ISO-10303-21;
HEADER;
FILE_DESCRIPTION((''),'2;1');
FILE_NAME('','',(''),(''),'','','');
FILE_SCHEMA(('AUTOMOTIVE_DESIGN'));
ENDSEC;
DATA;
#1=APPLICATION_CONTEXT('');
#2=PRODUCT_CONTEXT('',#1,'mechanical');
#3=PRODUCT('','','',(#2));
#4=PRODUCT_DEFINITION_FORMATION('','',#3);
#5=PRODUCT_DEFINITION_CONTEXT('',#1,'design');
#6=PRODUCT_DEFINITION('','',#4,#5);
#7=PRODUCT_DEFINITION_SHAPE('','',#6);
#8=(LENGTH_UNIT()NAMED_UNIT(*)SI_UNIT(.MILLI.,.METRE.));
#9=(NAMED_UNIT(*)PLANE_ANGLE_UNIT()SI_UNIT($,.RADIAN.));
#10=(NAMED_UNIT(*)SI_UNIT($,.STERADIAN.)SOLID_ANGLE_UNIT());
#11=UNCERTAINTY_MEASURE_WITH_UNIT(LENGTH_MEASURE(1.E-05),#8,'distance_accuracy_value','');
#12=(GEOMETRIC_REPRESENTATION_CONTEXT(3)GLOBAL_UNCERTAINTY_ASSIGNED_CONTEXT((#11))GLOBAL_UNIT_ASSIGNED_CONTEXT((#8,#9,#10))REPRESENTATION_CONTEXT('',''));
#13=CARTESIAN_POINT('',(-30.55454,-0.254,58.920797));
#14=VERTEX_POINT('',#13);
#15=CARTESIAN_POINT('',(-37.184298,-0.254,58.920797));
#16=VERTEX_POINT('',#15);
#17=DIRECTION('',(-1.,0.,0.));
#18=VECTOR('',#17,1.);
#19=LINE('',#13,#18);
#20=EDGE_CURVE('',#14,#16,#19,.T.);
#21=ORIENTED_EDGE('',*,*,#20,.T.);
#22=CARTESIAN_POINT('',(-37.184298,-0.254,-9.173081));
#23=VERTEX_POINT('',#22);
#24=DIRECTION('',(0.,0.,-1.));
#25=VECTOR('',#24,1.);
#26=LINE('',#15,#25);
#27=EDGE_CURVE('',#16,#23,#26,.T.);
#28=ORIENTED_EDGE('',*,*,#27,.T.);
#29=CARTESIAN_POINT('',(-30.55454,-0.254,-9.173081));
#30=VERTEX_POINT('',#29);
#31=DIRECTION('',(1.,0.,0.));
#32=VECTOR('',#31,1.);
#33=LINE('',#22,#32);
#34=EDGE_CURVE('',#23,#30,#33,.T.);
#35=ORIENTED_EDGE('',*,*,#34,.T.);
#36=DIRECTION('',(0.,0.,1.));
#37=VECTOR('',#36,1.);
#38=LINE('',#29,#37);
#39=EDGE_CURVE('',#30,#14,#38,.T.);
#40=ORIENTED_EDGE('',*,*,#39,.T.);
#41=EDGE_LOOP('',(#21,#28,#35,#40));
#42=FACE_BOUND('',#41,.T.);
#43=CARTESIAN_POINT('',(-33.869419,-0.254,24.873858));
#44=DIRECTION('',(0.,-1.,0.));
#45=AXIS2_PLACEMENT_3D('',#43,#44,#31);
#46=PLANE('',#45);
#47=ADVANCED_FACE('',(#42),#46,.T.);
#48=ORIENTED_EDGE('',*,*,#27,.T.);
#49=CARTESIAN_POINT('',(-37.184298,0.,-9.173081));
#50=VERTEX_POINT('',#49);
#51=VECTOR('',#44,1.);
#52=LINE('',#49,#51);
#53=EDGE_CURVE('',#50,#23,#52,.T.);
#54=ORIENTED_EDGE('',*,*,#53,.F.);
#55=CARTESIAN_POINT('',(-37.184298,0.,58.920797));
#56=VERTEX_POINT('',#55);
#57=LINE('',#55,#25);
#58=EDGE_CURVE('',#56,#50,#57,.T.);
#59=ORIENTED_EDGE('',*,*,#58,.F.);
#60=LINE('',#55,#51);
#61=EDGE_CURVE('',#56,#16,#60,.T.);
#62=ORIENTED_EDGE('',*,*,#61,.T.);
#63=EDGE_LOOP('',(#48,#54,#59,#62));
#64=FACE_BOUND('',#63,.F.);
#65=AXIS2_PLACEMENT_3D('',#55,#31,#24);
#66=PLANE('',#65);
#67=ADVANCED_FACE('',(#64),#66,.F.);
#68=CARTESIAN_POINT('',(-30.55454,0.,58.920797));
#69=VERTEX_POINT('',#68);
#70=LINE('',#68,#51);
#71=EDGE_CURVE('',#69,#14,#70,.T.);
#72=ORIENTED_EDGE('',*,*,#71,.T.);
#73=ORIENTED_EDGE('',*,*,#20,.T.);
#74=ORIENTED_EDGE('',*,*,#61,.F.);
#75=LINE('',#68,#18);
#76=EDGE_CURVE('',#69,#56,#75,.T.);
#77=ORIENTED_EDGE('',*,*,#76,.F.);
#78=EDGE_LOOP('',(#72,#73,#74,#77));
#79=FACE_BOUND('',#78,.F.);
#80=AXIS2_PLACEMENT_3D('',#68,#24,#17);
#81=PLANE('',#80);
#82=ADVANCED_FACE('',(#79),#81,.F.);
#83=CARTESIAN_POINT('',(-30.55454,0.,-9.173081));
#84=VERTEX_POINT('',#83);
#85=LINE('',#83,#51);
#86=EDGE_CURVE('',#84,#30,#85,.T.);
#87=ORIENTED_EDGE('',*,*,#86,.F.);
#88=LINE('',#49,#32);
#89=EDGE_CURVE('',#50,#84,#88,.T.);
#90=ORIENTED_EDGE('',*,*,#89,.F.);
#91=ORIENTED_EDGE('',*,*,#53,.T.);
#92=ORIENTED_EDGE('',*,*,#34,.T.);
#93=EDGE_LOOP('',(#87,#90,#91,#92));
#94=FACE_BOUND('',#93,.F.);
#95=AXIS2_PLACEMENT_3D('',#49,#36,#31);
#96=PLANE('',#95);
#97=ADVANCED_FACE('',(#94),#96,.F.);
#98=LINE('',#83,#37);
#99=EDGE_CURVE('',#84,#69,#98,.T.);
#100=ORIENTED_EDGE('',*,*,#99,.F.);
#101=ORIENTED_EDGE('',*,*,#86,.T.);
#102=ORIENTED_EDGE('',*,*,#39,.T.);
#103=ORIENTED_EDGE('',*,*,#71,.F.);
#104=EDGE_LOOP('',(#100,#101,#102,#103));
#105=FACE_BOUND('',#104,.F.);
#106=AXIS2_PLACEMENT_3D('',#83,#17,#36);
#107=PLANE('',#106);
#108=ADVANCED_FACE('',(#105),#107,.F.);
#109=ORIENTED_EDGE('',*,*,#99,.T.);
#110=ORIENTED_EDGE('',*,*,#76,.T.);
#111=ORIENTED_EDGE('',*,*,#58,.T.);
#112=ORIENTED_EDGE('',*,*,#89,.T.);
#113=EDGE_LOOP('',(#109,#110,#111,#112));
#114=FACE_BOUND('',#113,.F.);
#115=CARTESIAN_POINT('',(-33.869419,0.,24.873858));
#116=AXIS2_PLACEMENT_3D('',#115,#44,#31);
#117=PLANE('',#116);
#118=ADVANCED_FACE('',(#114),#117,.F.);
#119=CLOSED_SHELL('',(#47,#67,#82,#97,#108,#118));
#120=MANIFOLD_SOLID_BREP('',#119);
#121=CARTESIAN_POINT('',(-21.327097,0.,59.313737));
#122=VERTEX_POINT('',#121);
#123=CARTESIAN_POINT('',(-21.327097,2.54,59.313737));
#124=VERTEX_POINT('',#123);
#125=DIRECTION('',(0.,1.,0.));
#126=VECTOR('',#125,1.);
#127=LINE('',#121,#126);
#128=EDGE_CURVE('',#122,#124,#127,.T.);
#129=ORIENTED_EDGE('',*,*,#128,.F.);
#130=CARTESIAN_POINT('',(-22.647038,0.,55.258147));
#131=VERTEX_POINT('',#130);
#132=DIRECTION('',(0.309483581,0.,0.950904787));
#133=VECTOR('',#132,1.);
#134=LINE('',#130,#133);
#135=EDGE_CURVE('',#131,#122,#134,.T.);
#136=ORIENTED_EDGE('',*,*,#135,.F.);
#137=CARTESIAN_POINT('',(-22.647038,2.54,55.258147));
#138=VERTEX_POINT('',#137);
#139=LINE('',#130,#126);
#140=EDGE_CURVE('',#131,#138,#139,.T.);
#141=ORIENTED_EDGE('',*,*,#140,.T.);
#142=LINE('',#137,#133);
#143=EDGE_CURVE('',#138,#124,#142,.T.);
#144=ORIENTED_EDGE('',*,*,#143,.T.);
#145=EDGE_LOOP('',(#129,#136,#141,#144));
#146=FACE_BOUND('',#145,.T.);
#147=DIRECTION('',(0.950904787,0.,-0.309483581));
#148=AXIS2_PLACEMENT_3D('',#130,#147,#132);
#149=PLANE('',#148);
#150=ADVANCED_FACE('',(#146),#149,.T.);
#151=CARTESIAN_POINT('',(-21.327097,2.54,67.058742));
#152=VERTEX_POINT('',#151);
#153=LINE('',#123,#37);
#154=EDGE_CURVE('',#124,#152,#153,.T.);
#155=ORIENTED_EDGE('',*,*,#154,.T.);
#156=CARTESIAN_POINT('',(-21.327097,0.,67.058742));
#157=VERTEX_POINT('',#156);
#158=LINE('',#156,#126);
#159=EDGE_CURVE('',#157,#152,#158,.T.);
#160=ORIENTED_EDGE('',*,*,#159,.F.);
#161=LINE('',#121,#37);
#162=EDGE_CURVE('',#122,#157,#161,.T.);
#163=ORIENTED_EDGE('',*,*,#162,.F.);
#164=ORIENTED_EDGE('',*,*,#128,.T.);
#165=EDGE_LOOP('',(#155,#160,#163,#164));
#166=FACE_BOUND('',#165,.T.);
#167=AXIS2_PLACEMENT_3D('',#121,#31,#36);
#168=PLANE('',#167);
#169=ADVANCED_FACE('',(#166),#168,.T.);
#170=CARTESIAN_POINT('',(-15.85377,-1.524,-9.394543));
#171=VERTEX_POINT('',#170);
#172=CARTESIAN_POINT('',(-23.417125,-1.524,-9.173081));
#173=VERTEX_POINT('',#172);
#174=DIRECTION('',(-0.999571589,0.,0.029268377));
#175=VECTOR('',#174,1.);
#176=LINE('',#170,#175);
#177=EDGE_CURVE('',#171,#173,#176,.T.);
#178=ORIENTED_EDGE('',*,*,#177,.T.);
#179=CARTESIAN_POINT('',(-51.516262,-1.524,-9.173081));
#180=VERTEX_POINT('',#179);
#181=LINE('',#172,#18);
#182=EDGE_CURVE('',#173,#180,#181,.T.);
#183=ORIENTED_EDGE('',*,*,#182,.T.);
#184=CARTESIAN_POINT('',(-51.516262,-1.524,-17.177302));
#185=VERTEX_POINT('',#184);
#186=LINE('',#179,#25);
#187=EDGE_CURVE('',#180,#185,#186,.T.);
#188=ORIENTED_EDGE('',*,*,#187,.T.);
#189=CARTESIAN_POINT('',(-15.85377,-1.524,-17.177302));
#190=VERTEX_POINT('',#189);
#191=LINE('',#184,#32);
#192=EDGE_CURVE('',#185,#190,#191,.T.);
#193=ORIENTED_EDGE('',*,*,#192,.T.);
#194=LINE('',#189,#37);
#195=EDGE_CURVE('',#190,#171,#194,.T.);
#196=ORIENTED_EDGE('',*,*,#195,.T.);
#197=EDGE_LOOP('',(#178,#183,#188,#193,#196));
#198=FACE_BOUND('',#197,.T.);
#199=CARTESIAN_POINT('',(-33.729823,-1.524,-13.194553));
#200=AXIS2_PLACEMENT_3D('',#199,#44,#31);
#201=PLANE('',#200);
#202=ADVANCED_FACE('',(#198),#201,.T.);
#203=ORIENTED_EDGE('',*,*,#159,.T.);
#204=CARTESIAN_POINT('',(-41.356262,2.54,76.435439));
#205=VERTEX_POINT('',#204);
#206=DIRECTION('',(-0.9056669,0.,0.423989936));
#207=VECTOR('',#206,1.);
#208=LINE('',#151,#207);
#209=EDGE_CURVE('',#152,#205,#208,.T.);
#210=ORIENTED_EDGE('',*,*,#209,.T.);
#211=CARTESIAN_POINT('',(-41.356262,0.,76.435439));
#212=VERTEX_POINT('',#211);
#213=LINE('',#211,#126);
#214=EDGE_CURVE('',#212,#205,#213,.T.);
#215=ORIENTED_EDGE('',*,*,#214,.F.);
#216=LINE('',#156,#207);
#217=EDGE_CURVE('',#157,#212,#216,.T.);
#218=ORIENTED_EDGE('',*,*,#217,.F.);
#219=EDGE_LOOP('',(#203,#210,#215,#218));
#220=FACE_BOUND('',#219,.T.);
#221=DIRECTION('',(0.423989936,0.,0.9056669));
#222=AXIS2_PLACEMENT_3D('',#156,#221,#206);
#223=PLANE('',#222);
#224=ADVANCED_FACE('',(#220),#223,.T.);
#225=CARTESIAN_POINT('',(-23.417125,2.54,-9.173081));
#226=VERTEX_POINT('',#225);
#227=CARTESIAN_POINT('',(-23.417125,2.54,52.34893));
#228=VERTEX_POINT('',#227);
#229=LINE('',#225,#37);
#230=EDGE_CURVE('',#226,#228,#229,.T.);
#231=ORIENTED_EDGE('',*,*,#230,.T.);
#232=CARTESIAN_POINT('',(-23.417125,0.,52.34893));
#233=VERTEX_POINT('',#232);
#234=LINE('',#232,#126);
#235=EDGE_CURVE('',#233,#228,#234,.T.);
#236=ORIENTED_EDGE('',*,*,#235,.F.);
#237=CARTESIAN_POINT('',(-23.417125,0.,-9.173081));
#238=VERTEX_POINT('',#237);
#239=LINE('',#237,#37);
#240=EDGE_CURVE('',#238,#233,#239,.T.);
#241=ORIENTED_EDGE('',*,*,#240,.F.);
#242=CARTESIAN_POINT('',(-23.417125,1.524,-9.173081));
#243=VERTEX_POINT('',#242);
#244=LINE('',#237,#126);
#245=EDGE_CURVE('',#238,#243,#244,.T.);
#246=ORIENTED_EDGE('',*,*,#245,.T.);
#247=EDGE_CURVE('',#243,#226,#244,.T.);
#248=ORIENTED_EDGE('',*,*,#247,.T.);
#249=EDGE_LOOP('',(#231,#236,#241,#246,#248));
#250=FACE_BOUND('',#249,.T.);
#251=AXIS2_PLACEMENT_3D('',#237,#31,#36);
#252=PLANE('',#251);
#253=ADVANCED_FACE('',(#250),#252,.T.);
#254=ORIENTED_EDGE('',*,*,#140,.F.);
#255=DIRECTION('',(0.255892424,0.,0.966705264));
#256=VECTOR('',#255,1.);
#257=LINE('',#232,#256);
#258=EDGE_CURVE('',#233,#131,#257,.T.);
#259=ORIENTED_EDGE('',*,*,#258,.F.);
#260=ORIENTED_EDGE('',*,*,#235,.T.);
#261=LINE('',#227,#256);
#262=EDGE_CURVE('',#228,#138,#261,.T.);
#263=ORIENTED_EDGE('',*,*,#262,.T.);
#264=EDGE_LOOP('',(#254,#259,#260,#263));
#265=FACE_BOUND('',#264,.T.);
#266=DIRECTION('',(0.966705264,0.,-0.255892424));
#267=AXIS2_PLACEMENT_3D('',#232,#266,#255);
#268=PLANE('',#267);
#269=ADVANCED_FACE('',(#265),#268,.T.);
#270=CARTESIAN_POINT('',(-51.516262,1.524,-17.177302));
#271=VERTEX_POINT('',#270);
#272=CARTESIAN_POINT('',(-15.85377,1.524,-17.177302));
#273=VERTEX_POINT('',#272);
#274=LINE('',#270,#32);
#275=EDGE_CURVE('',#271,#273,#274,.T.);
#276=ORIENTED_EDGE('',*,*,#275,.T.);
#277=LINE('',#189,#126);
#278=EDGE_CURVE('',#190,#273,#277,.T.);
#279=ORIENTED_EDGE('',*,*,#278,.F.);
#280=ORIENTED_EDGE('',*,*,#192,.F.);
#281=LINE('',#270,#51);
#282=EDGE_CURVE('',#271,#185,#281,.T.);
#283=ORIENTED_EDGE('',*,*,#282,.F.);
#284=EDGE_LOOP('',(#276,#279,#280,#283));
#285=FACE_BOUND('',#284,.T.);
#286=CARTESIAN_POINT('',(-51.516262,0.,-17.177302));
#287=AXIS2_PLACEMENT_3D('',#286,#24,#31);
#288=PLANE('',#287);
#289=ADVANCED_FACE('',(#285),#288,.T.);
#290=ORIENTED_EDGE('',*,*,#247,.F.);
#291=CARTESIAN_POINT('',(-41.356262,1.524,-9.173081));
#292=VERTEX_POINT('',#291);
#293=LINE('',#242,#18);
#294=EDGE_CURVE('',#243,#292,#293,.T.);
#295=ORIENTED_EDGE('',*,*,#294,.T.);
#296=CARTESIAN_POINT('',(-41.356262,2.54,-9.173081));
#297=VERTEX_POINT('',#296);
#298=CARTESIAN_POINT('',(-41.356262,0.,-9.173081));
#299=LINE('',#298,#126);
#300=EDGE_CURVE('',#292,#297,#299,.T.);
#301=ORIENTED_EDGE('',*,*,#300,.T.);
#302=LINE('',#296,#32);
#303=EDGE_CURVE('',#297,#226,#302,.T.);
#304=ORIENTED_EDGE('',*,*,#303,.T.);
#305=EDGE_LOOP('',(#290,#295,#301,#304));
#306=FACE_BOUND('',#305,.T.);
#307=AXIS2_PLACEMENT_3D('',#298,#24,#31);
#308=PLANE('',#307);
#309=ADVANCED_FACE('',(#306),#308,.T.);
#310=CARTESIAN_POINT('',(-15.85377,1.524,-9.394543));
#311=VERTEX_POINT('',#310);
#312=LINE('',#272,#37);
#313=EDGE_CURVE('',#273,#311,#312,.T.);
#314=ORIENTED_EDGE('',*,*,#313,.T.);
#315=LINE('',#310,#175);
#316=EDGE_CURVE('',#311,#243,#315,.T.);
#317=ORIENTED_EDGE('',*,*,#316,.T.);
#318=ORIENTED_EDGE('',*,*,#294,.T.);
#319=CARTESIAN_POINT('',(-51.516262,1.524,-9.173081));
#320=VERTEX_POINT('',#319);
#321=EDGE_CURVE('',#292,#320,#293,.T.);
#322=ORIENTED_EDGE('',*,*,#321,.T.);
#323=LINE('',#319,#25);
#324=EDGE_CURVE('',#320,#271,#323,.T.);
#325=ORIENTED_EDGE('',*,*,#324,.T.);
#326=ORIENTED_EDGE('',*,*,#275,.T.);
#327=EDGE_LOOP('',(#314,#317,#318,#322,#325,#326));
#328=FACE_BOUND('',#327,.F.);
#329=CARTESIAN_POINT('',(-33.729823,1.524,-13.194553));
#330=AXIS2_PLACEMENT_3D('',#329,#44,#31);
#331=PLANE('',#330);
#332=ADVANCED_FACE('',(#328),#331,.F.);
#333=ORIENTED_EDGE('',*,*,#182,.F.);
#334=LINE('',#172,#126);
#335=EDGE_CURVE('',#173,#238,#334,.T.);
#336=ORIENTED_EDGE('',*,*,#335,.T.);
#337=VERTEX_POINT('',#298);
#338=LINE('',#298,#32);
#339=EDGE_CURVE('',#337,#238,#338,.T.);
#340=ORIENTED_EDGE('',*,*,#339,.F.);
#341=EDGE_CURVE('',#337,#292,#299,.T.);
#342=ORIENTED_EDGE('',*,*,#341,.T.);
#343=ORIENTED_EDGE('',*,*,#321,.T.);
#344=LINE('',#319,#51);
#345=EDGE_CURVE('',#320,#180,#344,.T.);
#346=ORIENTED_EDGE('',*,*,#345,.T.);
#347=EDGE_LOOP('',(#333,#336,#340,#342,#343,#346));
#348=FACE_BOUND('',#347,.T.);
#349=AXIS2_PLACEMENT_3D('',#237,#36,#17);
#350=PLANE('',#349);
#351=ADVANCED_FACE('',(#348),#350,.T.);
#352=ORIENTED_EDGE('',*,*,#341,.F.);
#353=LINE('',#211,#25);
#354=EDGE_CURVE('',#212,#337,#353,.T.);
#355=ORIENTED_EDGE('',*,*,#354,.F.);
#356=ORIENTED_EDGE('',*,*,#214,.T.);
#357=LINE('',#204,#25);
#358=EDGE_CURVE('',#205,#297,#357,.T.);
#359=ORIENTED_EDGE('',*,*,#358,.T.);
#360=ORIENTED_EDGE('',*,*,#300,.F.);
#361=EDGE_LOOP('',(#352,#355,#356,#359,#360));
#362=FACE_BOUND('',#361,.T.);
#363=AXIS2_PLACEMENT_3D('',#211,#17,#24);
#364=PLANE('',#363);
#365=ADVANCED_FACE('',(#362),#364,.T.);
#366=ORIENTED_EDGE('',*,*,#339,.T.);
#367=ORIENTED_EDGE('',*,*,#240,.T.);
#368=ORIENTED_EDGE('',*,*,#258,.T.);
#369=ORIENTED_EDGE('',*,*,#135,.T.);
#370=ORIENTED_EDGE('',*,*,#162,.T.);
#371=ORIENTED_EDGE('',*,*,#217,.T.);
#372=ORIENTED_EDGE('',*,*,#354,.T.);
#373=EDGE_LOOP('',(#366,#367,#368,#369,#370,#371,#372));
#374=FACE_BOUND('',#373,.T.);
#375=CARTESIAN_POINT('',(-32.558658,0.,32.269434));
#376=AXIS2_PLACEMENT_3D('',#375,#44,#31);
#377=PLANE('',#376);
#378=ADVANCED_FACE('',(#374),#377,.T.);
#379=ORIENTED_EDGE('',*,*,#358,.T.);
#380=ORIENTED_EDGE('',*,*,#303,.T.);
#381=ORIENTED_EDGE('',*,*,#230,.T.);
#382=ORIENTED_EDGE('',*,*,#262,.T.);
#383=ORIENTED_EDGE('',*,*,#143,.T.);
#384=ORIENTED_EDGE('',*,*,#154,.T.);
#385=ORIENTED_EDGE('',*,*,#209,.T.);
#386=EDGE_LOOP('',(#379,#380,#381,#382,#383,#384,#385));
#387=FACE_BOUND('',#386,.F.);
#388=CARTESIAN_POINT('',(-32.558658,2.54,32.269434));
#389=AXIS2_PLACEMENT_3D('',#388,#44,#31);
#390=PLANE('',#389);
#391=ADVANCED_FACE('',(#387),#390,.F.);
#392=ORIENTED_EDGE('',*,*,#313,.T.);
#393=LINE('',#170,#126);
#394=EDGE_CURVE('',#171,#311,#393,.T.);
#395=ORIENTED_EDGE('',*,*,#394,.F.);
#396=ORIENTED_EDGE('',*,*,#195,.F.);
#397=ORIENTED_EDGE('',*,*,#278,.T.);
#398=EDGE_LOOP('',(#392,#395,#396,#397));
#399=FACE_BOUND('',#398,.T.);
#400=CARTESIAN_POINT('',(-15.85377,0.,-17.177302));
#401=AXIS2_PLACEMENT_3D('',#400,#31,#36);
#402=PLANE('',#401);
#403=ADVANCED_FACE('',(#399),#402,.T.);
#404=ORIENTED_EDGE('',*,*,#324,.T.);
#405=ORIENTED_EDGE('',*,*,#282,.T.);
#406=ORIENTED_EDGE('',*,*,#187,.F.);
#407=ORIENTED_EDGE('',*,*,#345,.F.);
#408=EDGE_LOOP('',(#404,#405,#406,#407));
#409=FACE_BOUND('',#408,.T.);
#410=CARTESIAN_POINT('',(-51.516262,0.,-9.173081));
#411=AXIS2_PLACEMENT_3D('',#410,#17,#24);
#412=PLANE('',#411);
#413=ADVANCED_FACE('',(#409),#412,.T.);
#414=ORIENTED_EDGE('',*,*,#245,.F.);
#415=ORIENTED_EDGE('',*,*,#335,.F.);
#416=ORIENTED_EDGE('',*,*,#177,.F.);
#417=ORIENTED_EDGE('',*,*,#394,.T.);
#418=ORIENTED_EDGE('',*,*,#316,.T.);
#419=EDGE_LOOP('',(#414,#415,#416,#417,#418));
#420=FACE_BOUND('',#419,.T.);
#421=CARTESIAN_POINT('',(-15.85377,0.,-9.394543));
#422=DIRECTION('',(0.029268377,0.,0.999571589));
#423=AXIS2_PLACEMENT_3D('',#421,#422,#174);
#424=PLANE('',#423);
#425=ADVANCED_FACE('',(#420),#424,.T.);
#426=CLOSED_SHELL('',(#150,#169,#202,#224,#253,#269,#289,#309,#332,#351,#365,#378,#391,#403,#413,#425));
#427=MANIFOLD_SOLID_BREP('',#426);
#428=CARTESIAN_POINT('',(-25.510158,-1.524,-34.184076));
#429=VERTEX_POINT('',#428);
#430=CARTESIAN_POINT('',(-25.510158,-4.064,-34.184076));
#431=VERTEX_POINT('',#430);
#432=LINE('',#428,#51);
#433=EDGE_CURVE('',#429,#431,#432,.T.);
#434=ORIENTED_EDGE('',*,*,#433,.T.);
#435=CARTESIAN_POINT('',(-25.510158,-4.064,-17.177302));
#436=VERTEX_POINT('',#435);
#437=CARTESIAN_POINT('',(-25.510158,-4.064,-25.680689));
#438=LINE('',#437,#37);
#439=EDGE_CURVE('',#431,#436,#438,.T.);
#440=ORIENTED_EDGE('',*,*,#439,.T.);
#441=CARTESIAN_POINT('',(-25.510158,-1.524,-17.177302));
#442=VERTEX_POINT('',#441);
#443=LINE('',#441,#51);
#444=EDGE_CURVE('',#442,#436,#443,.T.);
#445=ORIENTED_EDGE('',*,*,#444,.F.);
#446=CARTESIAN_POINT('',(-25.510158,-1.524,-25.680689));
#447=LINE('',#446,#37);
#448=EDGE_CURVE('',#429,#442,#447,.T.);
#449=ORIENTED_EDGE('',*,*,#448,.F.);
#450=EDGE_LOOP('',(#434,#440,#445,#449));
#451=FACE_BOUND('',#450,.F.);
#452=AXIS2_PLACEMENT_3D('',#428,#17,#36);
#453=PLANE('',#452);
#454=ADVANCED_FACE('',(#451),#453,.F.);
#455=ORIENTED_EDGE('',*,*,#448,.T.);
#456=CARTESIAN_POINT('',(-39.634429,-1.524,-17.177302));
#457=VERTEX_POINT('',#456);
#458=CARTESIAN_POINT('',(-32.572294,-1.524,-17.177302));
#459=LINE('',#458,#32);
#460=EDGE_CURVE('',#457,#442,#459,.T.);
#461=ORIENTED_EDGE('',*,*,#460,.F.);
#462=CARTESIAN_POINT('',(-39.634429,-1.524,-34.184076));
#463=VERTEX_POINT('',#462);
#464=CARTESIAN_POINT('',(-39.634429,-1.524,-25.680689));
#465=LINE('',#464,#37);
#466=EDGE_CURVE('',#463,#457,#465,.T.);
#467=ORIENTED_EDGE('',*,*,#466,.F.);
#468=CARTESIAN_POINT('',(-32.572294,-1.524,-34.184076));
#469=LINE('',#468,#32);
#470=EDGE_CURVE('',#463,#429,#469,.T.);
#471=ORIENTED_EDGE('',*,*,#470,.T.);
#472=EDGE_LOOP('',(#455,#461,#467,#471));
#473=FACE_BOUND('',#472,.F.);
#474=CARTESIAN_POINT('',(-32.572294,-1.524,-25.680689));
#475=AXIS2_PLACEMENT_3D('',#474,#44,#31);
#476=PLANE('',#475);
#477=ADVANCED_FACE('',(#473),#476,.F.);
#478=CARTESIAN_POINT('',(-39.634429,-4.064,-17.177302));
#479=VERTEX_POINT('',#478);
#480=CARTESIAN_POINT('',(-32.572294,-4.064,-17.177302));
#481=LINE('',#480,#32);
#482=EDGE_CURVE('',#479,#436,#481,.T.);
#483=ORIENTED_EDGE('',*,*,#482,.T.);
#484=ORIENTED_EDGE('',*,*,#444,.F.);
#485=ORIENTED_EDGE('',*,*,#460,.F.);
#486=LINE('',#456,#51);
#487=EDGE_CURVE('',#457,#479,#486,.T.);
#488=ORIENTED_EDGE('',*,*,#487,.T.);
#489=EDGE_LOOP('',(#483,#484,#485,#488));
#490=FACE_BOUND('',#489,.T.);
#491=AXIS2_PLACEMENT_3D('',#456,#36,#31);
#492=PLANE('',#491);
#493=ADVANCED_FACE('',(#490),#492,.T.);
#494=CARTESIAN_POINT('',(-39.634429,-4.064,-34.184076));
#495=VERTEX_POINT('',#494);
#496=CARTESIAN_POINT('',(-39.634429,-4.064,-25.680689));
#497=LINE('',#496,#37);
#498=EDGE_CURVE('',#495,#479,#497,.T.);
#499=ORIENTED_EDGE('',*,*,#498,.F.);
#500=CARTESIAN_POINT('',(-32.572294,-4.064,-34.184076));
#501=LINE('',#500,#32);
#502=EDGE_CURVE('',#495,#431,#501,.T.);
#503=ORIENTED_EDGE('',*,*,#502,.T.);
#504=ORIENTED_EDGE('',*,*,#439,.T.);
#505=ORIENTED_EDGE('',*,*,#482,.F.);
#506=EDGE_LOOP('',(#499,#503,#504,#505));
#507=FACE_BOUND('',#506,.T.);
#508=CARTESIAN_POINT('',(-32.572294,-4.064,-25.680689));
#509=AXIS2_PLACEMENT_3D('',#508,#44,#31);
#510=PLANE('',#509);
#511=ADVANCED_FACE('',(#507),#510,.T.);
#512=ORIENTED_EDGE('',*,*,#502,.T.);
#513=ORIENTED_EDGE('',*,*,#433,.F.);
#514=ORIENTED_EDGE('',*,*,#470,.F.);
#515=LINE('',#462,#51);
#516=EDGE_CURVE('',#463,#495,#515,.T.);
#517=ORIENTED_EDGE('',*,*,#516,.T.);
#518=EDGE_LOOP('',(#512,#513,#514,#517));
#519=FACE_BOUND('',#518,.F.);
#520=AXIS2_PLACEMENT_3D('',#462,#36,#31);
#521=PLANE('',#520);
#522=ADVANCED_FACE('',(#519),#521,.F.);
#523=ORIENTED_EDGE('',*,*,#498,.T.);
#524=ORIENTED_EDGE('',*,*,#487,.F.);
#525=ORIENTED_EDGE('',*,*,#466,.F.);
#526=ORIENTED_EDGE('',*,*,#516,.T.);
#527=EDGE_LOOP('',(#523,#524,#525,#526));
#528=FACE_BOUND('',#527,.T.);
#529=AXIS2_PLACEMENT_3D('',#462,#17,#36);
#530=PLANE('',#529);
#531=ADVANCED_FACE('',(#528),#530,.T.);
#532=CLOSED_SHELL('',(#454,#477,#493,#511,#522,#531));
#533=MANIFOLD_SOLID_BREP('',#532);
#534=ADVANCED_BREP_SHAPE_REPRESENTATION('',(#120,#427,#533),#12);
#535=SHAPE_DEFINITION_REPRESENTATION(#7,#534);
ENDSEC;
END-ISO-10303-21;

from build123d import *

# Parameters (mm, degrees)
F0_W     = 6.0439221561
F0_H     = 74.2538864724
F1_DEPTH = 2.54
F3_DEPTH = 1.524
F4_W     = 14.1242705286
F4_H     = 17.0067735016
F5_DEPTH = 2.54
F7_DEPTH = 0.254


with BuildPart() as f1:
    # F0 (on Front) → F1 (new body)
    with BuildSketch(Plane.XZ):
        Polygon((-41.3562618196, 76.4354392886), (-41.3562618196, -9.1730812564), (-23.4171245247, -9.1730812564), (-23.4171245247, 50.2098016441), (-23.4171245247, 52.3489303887), (-22.6470381021, 55.2581474185), (-21.3270969689, 59.313736856), (-21.3270969689, 67.0587420464), align=None)
        with Locations((-31.3708279282, 29.9317988101)):
            Rectangle(F0_W, F0_H, mode=Mode.SUBTRACT)
        with Locations((-31.3708279282, 29.9317988101)):
            Rectangle(F0_W, F0_H)
    extrude(amount=-F1_DEPTH)

    # F2 (on face) → F3 (join, symmetric)
    with BuildSketch(Plane.XZ):
        Polygon((-23.4171245247, -9.1730812564), (-41.3562618196, -9.1730812564), (-51.5162618196, -9.1730812564), (-51.5162618196, -17.1773023903), (-15.8537700772, -17.1773023903), (-15.8537700772, -9.3945432454), align=None)
    extrude(amount=F3_DEPTH, both=True)


with BuildPart() as f5:
    # F4 (on face) → F5 (new body)
    with BuildSketch(Plane.XZ.offset(1.524)):
        with Locations((-32.5722936541, -25.6806891412)):
            Rectangle(F4_W, F4_H)
    extrude(amount=F5_DEPTH)


with BuildPart() as f7:
    # F6 (on face) → F7 (new body)
    with BuildSketch(Plane.XZ):
        Polygon((-30.5545404553, 58.9207969606), (-37.1842980385, 58.9207969606), (-37.1842980385, 18.8539940864), (-37.1842980385, 3.6947226617), (-37.1842980385, -9.1730812564), (-30.5545404553, -9.1730812564), (-30.5545404553, 3.6947226617), (-30.5545404553, 15.450575389), (-30.5545404553, 18.8539940864), align=None)
    extrude(amount=F7_DEPTH)


solid = Compound([f1.part, f5.part, f7.part])
